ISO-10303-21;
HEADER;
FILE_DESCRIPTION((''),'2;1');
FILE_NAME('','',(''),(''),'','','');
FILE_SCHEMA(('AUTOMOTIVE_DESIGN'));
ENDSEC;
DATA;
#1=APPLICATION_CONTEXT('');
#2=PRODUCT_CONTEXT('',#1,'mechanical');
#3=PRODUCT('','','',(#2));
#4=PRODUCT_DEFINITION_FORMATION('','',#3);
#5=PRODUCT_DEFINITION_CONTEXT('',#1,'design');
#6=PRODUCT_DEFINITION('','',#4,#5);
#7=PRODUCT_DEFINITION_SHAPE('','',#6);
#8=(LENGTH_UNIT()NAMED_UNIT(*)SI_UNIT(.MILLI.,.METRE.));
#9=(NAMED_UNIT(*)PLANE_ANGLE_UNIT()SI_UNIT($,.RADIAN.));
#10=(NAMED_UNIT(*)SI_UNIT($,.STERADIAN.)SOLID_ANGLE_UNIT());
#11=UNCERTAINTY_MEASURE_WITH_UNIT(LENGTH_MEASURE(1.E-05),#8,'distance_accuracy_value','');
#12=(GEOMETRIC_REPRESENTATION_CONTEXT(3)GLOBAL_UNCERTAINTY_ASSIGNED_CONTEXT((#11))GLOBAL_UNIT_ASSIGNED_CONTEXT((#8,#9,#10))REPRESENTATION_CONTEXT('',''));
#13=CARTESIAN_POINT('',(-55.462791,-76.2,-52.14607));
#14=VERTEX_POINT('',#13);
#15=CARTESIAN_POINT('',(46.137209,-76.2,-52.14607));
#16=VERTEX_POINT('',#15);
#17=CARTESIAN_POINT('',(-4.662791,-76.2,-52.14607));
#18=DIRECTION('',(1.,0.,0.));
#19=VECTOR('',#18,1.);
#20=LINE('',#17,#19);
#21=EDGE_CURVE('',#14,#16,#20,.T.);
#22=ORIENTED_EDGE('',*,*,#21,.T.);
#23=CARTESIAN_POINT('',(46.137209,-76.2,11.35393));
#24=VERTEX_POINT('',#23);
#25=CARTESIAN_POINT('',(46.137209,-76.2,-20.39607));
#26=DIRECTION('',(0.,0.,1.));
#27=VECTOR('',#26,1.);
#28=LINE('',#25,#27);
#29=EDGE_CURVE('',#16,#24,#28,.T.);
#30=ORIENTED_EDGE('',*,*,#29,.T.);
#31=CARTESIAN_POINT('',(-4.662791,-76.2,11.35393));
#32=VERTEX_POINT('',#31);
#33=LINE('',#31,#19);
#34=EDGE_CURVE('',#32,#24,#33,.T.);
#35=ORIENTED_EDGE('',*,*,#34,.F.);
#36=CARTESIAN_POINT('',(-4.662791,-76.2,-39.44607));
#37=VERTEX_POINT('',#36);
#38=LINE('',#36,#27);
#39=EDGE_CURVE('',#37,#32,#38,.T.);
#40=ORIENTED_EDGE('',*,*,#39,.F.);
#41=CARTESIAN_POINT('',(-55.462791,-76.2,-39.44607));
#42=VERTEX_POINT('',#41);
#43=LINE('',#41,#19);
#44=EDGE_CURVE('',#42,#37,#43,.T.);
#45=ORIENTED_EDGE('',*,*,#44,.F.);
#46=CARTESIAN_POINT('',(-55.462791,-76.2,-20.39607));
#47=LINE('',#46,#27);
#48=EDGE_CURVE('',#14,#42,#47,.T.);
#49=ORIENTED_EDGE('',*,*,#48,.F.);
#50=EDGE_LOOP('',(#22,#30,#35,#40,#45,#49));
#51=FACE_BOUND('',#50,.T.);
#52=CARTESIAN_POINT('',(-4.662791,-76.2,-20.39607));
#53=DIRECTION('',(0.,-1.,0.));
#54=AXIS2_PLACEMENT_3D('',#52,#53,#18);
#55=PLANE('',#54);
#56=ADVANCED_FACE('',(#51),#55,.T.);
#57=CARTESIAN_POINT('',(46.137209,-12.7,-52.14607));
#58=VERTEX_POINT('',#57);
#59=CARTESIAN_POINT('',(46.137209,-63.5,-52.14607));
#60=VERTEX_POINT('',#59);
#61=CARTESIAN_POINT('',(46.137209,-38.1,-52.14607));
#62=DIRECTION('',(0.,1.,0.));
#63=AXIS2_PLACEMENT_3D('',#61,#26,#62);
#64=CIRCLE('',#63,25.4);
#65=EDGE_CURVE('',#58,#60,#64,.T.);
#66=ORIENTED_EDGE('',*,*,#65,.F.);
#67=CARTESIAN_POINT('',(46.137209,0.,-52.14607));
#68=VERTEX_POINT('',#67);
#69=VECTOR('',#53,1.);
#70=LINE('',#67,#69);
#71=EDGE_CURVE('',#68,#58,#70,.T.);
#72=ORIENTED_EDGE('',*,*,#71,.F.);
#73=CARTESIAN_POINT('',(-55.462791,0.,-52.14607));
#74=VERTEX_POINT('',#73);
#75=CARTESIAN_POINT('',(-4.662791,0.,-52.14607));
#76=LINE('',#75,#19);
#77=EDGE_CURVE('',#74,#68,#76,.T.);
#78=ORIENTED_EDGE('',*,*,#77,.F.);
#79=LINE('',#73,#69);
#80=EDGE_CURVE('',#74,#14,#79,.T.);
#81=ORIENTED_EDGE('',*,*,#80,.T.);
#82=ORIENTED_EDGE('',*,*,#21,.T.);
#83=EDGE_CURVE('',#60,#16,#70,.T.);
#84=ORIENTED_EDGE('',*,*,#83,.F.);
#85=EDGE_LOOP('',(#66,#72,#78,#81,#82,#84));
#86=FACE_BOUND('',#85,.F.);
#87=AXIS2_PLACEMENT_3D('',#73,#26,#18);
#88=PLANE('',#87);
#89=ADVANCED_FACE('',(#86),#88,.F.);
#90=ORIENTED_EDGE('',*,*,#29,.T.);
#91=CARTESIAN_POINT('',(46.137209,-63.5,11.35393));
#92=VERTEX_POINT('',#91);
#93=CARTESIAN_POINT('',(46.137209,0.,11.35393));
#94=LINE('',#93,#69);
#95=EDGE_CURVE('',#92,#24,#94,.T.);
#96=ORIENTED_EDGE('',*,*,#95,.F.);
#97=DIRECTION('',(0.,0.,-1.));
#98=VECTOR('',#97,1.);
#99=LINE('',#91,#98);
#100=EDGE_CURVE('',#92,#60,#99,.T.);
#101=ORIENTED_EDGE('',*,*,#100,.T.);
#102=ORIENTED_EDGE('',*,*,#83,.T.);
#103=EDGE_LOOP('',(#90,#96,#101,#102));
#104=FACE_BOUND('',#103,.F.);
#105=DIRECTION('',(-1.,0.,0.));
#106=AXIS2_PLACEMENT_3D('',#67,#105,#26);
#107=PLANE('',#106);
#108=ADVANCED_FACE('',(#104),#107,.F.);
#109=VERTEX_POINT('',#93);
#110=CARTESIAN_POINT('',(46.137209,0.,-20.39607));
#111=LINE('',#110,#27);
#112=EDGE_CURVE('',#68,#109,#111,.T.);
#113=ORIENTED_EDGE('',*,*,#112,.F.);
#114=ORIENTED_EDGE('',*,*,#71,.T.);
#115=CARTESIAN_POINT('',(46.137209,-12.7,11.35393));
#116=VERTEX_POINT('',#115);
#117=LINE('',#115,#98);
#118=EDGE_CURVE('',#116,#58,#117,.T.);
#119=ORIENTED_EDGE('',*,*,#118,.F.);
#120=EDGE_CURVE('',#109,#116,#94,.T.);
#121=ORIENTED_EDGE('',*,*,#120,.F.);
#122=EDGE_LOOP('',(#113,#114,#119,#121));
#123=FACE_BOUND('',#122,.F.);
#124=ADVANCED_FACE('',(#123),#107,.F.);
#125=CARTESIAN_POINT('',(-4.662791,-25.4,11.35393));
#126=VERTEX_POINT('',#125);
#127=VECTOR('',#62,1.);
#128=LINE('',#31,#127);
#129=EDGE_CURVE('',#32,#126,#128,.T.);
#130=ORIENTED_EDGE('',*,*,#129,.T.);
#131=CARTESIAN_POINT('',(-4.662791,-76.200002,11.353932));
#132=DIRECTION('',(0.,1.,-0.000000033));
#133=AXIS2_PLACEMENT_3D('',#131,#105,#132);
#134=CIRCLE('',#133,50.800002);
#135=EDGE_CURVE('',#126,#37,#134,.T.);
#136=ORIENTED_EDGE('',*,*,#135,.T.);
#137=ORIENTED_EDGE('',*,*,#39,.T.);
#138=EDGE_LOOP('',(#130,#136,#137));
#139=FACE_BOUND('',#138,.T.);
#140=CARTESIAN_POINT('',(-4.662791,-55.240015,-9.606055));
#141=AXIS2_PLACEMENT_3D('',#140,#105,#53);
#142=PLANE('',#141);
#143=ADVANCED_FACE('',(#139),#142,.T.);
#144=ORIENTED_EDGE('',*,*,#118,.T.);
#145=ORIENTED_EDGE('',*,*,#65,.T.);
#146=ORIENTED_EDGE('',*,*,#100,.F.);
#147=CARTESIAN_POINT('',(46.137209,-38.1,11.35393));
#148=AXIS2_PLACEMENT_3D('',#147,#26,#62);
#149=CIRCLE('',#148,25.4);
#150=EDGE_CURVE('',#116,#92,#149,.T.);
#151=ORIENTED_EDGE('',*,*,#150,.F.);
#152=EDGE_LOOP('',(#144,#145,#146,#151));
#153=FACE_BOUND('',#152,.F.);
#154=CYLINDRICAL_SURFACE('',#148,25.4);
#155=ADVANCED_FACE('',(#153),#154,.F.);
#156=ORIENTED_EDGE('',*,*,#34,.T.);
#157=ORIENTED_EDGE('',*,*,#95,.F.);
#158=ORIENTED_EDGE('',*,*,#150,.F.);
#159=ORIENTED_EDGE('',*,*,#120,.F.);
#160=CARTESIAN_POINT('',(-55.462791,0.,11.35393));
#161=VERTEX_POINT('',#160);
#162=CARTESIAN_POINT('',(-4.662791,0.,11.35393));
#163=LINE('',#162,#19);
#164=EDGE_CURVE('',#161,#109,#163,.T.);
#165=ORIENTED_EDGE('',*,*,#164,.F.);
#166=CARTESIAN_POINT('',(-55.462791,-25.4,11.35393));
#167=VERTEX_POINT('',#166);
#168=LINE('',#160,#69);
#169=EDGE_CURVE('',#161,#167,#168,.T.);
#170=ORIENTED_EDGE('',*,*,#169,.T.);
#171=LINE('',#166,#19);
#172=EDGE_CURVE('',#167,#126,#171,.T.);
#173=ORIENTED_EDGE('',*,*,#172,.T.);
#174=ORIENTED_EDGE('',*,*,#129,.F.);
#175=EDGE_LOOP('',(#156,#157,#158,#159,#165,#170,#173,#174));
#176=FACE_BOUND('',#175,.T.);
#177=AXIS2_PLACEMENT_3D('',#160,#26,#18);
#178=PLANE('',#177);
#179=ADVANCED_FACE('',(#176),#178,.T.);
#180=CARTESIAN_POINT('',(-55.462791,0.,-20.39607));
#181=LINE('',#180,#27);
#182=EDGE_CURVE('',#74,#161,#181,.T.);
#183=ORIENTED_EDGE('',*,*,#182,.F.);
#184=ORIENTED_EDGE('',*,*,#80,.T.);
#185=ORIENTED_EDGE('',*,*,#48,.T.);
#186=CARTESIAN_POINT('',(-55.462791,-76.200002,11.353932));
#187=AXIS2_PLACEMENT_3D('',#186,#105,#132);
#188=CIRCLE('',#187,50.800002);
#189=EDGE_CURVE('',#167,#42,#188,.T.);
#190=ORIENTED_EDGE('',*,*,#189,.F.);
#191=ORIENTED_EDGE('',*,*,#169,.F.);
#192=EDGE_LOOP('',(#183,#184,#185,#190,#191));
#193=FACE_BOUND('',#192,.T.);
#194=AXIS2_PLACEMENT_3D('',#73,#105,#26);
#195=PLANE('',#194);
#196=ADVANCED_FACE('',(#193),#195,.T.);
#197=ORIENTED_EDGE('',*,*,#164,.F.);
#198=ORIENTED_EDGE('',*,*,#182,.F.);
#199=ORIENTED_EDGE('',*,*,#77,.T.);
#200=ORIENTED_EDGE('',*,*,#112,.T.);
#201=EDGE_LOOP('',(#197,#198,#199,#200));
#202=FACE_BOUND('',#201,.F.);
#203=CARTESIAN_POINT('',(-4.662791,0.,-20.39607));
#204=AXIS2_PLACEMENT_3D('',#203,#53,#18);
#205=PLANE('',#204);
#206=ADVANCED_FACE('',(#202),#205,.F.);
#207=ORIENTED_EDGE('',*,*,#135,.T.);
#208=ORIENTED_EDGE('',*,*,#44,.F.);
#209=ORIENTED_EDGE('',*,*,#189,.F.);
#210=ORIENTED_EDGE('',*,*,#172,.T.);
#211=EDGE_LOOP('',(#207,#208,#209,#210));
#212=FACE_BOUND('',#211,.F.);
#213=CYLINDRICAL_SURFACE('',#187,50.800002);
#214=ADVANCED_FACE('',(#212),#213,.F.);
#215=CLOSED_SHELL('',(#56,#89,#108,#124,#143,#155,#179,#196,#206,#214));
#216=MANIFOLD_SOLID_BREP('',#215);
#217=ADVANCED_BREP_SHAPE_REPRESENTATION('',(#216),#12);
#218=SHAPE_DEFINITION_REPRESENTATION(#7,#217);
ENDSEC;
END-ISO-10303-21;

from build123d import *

# Parameters (mm, degrees)
F0_W     = 101.6
F0_H     = 63.5
F1_DEPTH = 76.2
F3_DEPTH = 63.501
F5_DEPTH = 50.8


with BuildPart() as f1:
    # F0 (on Front) → F1 (new body)
    with BuildSketch(Plane.XZ):
        with Locations((-4.662791, -20.39607)):
            Rectangle(F0_W, F0_H)
    extrude(amount=F1_DEPTH)

    # F2 (on face) → F3 (cut, through all)
    with BuildSketch(Plane.XY.offset(11.35393)):
        with BuildLine():
            Line((46.137209, -63.5), (46.137209, -12.7))
            ThreePointArc((46.137209, -12.7), (20.737209, -38.1), (46.137209, -63.5))
        make_face()
    extrude(amount=-F3_DEPTH, mode=Mode.SUBTRACT)

    # F4 (on face) → F5 (cut)
    with BuildSketch(Plane(origin=(-55.462791, 0, 0), x_dir=(0, -1, 0), z_dir=(-1, 0, 0))):
        with BuildLine():
            Line((76.2, 11.35393), (25.4, 11.35393))
            ThreePointArc((25.4, 11.35393), (40.278976, -24.567094), (76.2, -39.44607))
            Line((76.2, -39.44607), (76.2, 11.35393))
        make_face()
    extrude(amount=-F5_DEPTH, mode=Mode.SUBTRACT)


solid = f1.part
